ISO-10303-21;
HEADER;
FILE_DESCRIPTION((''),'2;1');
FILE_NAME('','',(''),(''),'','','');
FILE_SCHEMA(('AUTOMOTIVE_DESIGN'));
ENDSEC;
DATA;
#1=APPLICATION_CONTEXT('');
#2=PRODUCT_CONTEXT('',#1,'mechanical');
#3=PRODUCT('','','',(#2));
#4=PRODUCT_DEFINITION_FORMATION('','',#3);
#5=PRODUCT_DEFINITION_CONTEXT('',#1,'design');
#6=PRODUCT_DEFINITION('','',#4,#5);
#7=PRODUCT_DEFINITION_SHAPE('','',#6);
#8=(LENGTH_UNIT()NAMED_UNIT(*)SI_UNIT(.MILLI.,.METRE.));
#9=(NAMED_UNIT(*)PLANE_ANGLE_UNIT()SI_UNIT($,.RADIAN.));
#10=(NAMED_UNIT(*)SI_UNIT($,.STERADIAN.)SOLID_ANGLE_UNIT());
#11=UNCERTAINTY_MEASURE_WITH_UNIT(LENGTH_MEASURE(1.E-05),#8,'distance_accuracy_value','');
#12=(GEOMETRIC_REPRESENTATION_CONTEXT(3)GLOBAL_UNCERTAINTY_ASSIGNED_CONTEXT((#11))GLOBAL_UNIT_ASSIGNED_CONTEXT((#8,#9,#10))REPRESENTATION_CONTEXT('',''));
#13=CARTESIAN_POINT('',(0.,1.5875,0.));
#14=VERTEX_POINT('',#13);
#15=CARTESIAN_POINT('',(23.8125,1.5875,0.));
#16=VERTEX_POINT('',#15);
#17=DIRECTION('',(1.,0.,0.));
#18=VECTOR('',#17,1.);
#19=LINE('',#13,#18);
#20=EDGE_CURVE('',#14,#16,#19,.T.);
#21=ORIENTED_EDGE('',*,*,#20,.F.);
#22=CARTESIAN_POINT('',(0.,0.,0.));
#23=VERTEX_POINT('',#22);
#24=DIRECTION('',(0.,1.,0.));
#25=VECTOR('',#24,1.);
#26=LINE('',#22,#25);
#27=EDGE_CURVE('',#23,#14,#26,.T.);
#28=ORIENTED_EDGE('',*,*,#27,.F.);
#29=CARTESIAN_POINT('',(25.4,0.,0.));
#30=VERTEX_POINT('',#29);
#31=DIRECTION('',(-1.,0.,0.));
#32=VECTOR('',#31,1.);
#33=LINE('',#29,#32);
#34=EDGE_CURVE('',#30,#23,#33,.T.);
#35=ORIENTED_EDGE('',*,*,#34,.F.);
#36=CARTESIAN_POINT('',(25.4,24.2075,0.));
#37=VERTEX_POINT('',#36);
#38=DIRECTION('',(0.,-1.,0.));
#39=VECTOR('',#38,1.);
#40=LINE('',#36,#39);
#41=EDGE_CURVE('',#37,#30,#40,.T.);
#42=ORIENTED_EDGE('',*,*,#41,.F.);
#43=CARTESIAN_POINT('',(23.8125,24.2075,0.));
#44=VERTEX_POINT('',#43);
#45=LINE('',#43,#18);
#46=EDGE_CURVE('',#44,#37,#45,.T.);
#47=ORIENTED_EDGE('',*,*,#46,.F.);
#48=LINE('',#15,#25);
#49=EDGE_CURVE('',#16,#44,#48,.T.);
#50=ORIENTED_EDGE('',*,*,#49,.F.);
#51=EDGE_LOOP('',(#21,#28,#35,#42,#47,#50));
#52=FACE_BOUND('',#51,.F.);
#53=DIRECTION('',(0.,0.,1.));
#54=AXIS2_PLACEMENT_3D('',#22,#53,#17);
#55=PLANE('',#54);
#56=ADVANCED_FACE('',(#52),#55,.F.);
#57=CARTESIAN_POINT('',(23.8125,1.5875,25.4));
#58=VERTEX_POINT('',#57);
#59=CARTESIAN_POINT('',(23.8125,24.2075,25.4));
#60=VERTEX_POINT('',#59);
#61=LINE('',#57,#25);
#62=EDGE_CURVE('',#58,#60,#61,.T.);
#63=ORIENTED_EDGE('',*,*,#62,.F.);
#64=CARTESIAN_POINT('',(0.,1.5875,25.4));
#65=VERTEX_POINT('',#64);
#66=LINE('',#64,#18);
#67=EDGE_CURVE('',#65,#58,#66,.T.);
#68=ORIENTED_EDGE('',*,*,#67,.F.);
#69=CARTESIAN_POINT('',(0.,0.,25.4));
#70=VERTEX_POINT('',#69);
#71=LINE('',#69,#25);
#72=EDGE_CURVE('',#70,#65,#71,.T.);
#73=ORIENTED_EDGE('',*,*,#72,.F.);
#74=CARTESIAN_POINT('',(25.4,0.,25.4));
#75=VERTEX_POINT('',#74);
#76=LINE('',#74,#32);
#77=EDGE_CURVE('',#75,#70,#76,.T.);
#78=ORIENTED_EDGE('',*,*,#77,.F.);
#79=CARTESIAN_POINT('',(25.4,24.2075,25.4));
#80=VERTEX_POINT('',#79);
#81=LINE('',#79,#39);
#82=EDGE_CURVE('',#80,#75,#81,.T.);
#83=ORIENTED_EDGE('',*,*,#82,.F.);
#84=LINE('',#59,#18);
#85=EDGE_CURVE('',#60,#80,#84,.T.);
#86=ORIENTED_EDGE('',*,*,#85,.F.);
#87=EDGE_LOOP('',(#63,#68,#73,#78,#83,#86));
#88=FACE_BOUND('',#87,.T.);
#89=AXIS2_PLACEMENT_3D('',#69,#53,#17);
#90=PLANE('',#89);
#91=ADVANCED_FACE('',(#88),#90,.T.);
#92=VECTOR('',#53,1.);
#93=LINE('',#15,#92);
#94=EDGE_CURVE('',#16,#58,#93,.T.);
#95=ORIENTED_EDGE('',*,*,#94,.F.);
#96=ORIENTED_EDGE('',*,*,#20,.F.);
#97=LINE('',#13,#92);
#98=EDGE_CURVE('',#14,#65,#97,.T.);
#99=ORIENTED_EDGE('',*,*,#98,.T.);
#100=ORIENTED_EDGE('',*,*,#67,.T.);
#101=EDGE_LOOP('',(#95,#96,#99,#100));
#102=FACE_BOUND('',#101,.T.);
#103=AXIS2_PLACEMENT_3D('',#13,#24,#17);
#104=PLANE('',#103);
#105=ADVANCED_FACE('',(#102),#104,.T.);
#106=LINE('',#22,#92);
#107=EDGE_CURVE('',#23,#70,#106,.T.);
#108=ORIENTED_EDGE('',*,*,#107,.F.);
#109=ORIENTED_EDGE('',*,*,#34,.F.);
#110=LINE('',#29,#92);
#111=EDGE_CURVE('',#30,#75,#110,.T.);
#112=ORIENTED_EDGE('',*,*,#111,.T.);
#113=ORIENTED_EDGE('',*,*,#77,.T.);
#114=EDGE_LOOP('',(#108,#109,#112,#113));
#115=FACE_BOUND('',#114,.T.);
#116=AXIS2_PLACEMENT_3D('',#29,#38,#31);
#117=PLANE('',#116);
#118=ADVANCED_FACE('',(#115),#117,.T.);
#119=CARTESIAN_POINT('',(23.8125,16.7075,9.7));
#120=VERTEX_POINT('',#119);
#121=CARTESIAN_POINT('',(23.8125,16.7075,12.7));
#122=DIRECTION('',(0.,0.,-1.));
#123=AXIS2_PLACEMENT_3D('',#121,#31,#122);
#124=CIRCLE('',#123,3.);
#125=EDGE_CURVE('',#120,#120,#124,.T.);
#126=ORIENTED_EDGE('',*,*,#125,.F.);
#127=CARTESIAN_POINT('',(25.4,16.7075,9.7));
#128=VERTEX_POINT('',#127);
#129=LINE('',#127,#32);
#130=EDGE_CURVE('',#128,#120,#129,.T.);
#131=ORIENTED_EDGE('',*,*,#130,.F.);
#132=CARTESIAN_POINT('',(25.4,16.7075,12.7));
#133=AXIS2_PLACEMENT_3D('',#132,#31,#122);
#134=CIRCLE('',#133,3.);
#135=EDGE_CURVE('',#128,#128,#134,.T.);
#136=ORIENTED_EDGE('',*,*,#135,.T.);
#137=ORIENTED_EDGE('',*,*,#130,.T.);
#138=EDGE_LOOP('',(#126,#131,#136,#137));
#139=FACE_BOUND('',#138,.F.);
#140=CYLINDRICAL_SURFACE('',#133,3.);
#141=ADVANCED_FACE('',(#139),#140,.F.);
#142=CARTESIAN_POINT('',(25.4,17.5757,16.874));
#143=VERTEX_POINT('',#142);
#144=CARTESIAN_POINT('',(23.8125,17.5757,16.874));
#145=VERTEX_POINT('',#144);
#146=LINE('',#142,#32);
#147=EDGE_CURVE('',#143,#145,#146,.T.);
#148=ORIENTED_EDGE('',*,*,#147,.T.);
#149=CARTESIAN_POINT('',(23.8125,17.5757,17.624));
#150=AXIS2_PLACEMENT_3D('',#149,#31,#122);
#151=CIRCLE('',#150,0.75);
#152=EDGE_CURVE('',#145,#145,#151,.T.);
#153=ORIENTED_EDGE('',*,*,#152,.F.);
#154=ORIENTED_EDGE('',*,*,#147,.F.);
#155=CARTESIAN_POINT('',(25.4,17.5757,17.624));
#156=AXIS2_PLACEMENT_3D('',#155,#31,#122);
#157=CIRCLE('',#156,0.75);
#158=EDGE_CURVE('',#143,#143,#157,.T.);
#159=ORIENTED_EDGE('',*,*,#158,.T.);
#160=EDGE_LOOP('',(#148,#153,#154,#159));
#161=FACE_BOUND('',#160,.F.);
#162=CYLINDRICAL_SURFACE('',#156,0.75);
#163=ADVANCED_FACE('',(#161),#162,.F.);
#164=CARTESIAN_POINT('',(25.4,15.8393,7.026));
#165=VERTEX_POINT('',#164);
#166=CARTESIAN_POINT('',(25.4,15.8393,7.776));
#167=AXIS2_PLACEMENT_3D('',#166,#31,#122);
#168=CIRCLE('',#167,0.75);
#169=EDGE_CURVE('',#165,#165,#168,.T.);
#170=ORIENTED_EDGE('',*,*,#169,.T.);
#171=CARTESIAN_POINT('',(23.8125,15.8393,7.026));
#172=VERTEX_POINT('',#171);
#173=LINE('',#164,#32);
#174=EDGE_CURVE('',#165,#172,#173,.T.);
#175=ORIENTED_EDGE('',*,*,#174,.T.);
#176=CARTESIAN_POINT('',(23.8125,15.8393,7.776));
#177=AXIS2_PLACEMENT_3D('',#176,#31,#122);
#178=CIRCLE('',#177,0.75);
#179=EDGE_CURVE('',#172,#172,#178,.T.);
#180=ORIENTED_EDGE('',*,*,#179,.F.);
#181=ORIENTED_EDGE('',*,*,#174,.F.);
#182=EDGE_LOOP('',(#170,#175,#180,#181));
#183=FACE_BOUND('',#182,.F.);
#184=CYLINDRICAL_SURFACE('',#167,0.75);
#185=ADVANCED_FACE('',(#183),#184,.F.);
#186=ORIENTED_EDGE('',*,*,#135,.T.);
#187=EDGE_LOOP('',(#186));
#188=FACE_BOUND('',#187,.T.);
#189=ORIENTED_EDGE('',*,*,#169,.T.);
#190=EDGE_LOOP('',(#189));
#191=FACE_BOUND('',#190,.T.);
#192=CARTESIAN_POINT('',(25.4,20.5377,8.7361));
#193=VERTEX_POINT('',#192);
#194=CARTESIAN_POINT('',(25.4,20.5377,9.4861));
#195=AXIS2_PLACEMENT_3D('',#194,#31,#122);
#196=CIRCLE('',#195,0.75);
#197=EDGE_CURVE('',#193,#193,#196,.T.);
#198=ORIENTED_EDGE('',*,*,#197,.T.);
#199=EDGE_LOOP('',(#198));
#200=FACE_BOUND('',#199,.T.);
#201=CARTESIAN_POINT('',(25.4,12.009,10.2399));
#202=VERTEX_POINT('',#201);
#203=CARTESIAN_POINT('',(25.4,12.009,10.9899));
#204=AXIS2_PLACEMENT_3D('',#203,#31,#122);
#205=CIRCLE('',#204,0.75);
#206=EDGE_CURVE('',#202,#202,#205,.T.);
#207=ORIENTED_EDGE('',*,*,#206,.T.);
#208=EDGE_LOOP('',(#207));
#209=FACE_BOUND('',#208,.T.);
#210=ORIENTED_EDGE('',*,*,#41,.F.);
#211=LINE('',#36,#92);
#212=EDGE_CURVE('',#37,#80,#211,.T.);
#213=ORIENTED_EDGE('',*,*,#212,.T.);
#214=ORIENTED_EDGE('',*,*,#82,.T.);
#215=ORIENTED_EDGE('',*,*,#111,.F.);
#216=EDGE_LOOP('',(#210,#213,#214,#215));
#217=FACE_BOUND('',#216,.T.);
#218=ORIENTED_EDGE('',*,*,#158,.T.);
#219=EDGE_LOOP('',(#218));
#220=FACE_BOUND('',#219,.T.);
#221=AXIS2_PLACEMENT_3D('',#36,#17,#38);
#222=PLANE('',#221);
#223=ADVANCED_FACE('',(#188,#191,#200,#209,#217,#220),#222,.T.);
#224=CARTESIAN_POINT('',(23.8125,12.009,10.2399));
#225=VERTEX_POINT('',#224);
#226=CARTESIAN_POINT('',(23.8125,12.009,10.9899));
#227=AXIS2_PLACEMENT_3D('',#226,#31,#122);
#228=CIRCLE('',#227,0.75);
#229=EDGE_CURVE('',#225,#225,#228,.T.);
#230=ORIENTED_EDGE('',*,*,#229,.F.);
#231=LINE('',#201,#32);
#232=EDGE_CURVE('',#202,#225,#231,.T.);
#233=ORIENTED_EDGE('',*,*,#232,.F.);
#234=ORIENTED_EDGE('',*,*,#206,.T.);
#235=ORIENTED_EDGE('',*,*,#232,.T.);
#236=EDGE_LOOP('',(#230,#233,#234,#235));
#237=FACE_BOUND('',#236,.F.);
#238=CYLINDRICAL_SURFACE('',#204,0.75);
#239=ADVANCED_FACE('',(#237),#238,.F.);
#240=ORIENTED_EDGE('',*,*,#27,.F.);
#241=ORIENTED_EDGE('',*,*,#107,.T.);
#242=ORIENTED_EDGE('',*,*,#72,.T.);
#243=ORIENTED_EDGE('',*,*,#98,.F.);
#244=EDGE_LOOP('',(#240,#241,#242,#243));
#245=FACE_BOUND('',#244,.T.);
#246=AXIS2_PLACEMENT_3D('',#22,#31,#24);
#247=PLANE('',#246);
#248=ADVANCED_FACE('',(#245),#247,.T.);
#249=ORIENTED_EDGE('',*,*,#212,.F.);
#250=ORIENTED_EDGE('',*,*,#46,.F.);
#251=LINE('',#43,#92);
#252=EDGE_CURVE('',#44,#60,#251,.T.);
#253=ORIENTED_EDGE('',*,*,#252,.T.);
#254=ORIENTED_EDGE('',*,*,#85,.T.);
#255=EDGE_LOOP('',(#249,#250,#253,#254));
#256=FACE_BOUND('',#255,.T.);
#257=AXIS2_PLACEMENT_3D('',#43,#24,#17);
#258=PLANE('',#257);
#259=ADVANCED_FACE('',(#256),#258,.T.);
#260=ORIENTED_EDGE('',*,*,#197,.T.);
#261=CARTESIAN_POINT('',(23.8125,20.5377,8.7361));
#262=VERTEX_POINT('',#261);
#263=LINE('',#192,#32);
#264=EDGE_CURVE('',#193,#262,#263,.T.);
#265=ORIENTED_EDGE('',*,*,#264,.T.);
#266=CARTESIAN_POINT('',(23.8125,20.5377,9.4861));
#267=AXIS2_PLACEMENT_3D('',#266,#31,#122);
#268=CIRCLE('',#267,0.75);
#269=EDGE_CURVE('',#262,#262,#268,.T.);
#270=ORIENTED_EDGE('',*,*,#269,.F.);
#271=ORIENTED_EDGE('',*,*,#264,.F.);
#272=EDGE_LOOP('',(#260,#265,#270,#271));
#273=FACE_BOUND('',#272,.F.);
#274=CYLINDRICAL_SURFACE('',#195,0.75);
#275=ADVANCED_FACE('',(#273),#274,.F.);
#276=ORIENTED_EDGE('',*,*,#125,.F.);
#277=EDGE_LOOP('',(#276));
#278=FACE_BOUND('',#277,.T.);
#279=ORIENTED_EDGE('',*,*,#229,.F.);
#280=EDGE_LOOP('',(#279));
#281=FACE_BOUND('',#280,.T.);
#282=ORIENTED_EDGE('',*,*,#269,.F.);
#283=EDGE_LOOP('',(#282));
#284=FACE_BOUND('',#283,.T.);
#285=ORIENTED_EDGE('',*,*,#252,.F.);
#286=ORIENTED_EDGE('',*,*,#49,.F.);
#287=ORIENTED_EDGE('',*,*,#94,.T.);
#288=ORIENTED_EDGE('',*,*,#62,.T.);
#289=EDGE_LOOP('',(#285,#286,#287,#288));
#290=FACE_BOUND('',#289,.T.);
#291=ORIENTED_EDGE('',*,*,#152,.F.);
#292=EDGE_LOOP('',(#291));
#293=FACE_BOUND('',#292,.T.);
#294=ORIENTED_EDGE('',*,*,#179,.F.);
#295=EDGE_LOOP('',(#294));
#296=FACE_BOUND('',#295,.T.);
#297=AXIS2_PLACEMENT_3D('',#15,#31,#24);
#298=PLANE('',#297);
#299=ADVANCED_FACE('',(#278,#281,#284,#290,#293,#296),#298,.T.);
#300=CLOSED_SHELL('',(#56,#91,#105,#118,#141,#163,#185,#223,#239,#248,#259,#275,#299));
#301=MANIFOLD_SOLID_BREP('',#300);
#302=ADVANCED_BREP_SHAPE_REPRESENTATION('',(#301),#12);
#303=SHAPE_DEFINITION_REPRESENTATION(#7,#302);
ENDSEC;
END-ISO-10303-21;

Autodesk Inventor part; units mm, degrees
ref_plane "YZ Plane" through (0, 0, 0) normal (1, 0, 0) x (0, 1, 0)
ref_plane "XZ Plane" through (0, 0, 0) normal (0, 1, 0) x (-1, 0, 0)
ref_plane "XY Plane" through (0, 0, 0) normal (0, 0, 1) x (1, 0, 0)
sketch "Sketch1" plane through (0, 0, 0) normal (0, 0, 1) x (1, 0, 0)
  line L0 (0, 0) -> (0, 1.5875)
  line L1 (0, 1.5875) -> (23.8125, 1.5875)
  line L2 (23.8125, 1.5875) -> (23.8125, 24.2075)
  line L3 (23.8125, 24.2075) -> (25.4, 24.2075)
  line L4 (25.4, 24.2075) -> (25.4, 0)
  line L5 (25.4, 0) -> (0, 0)
  dimension "d0" = 1.5875
  dimension "d3" = 90
  dimension "d9" = 25.4
  dimension "d10" = 22.62
extrude "Extrusion1" add sketch "Sketch1" along normal blind 25.4
sketch "Sketch2" plane through (25.4, 0, 0) normal (1, 0, 0) x (0, 0, -1)
  circle A0 centre (-12.7, 16.7075) radius 7.5
  line L0 (0, 24.2075) -> (-25.4, 24.2075) projected
  circle A1 centre (-12.7, 16.7075) radius 5
  line L1 (-12.7, 16.7075) -> (-9.4861, 20.5377)
  line L2 (-12.7, 16.7075) -> (-7.776, 15.8393)
  line L3 (-12.7, 16.7075) -> (-10.9899, 12.009)
  line L4 (-12.7, 16.7075) -> (-17.624, 17.5757)
  line L5 (-25.4, 0) -> (-25.4, 24.2075) projected
  point P0 (0, 0)
  dimension "d6" = 12.7
  dimension "d7" = 7.5
  dimension "d8" = 15
  dimension "d11" = 10
  dimension "d12" = 40
  dimension "d13" = 60
  dimension "d14" = 60
  dimension "d15" = 120
hole "Hole1" at (25.4, 17.5757, 17.624) at (25.4, 20.5377, 9.4861) at (25.4, 15.8393, 7.776) at (25.4, 12.009, 10.9899) direction (-1, 0, 0) diameter 1.5 end through all
sketch "Sketch3" plane through (25.4, 0, 0) normal (1, 0, 0) x (0, 0, -1)
  circle A0 centre (-12.7, 16.7075) radius 7.5
  line L0 (0, 24.2075) -> (-25.4, 24.2075) projected
  line L1 (0, 24.2075) -> (0, 0) projected
  dimension "d23" = 15
  dimension "d24" = 7.5
  dimension "d25" = 12.7
hole "Hole2" at (25.4, 16.7075, 12.7) direction (-1, 0, 0) diameter 6 end through all
properties part number "MotorMount" material "Aluminum 6061"
